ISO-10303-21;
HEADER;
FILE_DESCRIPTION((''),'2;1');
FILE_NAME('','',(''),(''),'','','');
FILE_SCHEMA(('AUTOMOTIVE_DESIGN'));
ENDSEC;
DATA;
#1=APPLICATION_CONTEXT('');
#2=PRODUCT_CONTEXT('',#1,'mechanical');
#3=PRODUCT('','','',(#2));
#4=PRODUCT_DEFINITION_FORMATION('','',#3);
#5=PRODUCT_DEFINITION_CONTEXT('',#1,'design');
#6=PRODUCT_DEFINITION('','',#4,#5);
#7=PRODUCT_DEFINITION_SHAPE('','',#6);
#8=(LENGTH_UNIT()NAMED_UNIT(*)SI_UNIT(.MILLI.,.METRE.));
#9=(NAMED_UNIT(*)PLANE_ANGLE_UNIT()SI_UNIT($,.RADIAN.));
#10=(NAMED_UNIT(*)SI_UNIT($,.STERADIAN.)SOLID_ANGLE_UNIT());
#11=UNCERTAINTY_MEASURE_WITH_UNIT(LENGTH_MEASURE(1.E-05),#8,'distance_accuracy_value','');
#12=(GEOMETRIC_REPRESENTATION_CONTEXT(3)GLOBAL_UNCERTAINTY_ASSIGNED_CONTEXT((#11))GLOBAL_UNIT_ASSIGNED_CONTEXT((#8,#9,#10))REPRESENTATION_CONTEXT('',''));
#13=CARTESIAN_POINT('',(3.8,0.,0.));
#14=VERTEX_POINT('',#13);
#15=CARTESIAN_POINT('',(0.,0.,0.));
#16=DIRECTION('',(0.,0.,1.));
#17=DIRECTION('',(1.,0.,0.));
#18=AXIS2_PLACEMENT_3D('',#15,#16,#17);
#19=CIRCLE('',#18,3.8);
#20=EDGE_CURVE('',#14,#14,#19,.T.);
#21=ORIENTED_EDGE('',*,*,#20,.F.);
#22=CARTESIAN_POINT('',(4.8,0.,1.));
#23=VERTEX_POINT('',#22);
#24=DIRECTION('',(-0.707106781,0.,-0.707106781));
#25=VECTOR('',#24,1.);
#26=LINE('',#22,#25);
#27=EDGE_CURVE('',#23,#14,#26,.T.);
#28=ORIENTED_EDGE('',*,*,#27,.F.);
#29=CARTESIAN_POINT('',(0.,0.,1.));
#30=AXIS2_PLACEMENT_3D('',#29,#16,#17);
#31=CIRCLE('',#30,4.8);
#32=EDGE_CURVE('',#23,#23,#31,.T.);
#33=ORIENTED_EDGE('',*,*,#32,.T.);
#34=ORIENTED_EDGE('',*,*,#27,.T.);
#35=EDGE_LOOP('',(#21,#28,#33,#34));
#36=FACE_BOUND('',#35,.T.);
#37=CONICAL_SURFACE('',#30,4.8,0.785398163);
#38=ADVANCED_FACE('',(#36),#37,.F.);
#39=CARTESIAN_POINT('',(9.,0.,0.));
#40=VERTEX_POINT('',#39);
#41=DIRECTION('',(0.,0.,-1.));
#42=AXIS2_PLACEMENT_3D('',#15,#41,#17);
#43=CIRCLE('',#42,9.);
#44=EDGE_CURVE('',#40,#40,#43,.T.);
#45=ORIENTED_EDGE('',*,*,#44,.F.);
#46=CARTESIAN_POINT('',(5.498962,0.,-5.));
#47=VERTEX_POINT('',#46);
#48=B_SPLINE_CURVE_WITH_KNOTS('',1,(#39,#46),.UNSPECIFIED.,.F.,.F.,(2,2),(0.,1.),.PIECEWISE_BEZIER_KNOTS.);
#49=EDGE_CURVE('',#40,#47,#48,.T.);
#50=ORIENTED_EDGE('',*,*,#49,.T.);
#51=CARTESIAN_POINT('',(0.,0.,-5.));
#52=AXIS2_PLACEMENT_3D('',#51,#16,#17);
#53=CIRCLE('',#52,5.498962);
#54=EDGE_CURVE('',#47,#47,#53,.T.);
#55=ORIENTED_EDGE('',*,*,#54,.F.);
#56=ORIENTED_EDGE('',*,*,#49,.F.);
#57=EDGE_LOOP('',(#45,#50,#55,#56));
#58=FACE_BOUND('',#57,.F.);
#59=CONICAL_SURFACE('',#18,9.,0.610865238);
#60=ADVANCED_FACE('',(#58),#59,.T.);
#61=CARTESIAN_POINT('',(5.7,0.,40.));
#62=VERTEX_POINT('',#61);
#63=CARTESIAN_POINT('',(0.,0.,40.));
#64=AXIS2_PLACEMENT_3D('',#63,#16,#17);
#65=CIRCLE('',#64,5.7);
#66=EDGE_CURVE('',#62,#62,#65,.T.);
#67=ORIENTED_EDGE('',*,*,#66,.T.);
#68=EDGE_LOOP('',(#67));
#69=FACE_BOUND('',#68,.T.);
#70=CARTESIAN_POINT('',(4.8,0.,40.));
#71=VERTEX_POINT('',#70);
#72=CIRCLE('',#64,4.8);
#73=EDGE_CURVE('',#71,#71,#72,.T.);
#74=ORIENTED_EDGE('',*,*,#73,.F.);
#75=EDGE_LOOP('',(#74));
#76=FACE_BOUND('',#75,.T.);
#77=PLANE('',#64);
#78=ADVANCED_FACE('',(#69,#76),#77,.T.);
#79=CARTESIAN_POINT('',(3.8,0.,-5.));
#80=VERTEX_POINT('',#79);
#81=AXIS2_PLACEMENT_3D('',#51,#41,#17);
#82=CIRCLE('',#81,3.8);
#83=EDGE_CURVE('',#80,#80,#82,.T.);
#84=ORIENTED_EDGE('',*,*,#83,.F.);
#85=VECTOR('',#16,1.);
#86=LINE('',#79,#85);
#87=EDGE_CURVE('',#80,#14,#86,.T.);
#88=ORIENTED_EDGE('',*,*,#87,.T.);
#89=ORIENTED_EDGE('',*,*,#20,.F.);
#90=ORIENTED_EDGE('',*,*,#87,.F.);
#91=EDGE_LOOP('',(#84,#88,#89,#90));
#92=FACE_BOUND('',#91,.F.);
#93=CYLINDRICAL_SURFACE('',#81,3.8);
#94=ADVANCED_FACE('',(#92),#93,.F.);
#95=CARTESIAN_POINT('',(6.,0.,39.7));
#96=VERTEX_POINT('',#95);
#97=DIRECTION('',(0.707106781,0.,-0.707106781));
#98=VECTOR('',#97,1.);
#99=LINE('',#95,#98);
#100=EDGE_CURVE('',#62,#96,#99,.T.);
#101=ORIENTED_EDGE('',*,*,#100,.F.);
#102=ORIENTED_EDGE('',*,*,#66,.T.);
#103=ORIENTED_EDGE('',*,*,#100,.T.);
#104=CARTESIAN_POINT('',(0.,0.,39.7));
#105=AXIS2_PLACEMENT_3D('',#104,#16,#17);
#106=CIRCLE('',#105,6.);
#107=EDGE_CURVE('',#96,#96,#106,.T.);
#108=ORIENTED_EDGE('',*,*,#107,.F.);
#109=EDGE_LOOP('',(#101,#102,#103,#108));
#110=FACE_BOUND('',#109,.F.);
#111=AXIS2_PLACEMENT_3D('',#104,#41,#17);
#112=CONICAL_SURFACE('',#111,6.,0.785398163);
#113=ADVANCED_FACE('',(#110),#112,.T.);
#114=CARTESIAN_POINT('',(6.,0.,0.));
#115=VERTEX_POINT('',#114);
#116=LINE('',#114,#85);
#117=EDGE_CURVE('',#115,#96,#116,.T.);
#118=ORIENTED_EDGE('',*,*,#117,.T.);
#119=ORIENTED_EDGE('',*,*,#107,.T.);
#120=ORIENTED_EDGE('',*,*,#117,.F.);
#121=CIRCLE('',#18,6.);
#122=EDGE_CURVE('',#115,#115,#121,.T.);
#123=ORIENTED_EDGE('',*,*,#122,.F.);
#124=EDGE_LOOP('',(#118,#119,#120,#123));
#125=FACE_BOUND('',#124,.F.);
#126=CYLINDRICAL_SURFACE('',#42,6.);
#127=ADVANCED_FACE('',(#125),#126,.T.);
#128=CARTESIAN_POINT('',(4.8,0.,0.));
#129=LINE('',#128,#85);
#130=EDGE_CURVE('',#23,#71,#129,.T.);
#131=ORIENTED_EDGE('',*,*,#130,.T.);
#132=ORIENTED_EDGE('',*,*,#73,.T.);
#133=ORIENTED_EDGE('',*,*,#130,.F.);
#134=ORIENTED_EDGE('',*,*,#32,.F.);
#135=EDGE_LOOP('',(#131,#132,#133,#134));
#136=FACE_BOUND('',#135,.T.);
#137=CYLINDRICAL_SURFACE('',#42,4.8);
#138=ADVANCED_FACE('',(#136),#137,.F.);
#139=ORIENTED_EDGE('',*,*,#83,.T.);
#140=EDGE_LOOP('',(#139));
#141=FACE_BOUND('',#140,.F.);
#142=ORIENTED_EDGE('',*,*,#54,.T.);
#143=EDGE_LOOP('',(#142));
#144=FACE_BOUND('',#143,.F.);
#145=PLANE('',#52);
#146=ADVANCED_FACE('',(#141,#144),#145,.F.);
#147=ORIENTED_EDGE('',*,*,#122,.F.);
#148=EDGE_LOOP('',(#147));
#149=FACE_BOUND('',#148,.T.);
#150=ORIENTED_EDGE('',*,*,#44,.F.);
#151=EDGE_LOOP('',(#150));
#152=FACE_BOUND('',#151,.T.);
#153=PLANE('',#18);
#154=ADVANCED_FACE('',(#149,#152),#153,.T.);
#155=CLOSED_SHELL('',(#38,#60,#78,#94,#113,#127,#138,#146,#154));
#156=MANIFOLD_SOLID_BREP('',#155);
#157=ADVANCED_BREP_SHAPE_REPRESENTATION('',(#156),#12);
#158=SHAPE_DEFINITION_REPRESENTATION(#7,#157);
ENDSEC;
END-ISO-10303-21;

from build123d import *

# Parameters (mm, degrees)
F0_R     = 6
F0_R_2   = 4.8
F1_DEPTH = 40
F2_R     = 9
F3_DEPTH = 5
F3_TAPER = 35
F4_SIZE  = 1
F5_SIZE  = 0.3
F6_R     = 3.8
F7_DEPTH = 100


with BuildPart() as f1:
    # F0 (on Top) → F1 (new body)
    with BuildSketch(Plane.XY):
        Circle(F0_R)
        Circle(F0_R_2, mode=Mode.SUBTRACT)
    extrude(amount=F1_DEPTH)

    # F2 (on Top) → F3 (join)
    with BuildSketch(Plane.XY):
        Circle(F2_R)
    extrude(amount=-F3_DEPTH, taper=F3_TAPER)

    # F4
    f4_edges = [f1.edges().sort_by_distance(p)[0] for p in [
        (-4.8, 0, 0),
    ]]
    chamfer(f4_edges, length=F4_SIZE)

    # F5
    f5_edges = [f1.edges().sort_by_distance(p)[0] for p in [
        (-6, 0, 40),
    ]]
    chamfer(f5_edges, length=F5_SIZE)

    # F6 (on face) → F7 (cut)
    with BuildSketch(Plane(origin=(0, 0, -5), x_dir=(1, 0, 0), z_dir=(0, 0, -1))):
        Circle(F6_R)
    extrude(amount=-F7_DEPTH, mode=Mode.SUBTRACT)


solid = f1.part
